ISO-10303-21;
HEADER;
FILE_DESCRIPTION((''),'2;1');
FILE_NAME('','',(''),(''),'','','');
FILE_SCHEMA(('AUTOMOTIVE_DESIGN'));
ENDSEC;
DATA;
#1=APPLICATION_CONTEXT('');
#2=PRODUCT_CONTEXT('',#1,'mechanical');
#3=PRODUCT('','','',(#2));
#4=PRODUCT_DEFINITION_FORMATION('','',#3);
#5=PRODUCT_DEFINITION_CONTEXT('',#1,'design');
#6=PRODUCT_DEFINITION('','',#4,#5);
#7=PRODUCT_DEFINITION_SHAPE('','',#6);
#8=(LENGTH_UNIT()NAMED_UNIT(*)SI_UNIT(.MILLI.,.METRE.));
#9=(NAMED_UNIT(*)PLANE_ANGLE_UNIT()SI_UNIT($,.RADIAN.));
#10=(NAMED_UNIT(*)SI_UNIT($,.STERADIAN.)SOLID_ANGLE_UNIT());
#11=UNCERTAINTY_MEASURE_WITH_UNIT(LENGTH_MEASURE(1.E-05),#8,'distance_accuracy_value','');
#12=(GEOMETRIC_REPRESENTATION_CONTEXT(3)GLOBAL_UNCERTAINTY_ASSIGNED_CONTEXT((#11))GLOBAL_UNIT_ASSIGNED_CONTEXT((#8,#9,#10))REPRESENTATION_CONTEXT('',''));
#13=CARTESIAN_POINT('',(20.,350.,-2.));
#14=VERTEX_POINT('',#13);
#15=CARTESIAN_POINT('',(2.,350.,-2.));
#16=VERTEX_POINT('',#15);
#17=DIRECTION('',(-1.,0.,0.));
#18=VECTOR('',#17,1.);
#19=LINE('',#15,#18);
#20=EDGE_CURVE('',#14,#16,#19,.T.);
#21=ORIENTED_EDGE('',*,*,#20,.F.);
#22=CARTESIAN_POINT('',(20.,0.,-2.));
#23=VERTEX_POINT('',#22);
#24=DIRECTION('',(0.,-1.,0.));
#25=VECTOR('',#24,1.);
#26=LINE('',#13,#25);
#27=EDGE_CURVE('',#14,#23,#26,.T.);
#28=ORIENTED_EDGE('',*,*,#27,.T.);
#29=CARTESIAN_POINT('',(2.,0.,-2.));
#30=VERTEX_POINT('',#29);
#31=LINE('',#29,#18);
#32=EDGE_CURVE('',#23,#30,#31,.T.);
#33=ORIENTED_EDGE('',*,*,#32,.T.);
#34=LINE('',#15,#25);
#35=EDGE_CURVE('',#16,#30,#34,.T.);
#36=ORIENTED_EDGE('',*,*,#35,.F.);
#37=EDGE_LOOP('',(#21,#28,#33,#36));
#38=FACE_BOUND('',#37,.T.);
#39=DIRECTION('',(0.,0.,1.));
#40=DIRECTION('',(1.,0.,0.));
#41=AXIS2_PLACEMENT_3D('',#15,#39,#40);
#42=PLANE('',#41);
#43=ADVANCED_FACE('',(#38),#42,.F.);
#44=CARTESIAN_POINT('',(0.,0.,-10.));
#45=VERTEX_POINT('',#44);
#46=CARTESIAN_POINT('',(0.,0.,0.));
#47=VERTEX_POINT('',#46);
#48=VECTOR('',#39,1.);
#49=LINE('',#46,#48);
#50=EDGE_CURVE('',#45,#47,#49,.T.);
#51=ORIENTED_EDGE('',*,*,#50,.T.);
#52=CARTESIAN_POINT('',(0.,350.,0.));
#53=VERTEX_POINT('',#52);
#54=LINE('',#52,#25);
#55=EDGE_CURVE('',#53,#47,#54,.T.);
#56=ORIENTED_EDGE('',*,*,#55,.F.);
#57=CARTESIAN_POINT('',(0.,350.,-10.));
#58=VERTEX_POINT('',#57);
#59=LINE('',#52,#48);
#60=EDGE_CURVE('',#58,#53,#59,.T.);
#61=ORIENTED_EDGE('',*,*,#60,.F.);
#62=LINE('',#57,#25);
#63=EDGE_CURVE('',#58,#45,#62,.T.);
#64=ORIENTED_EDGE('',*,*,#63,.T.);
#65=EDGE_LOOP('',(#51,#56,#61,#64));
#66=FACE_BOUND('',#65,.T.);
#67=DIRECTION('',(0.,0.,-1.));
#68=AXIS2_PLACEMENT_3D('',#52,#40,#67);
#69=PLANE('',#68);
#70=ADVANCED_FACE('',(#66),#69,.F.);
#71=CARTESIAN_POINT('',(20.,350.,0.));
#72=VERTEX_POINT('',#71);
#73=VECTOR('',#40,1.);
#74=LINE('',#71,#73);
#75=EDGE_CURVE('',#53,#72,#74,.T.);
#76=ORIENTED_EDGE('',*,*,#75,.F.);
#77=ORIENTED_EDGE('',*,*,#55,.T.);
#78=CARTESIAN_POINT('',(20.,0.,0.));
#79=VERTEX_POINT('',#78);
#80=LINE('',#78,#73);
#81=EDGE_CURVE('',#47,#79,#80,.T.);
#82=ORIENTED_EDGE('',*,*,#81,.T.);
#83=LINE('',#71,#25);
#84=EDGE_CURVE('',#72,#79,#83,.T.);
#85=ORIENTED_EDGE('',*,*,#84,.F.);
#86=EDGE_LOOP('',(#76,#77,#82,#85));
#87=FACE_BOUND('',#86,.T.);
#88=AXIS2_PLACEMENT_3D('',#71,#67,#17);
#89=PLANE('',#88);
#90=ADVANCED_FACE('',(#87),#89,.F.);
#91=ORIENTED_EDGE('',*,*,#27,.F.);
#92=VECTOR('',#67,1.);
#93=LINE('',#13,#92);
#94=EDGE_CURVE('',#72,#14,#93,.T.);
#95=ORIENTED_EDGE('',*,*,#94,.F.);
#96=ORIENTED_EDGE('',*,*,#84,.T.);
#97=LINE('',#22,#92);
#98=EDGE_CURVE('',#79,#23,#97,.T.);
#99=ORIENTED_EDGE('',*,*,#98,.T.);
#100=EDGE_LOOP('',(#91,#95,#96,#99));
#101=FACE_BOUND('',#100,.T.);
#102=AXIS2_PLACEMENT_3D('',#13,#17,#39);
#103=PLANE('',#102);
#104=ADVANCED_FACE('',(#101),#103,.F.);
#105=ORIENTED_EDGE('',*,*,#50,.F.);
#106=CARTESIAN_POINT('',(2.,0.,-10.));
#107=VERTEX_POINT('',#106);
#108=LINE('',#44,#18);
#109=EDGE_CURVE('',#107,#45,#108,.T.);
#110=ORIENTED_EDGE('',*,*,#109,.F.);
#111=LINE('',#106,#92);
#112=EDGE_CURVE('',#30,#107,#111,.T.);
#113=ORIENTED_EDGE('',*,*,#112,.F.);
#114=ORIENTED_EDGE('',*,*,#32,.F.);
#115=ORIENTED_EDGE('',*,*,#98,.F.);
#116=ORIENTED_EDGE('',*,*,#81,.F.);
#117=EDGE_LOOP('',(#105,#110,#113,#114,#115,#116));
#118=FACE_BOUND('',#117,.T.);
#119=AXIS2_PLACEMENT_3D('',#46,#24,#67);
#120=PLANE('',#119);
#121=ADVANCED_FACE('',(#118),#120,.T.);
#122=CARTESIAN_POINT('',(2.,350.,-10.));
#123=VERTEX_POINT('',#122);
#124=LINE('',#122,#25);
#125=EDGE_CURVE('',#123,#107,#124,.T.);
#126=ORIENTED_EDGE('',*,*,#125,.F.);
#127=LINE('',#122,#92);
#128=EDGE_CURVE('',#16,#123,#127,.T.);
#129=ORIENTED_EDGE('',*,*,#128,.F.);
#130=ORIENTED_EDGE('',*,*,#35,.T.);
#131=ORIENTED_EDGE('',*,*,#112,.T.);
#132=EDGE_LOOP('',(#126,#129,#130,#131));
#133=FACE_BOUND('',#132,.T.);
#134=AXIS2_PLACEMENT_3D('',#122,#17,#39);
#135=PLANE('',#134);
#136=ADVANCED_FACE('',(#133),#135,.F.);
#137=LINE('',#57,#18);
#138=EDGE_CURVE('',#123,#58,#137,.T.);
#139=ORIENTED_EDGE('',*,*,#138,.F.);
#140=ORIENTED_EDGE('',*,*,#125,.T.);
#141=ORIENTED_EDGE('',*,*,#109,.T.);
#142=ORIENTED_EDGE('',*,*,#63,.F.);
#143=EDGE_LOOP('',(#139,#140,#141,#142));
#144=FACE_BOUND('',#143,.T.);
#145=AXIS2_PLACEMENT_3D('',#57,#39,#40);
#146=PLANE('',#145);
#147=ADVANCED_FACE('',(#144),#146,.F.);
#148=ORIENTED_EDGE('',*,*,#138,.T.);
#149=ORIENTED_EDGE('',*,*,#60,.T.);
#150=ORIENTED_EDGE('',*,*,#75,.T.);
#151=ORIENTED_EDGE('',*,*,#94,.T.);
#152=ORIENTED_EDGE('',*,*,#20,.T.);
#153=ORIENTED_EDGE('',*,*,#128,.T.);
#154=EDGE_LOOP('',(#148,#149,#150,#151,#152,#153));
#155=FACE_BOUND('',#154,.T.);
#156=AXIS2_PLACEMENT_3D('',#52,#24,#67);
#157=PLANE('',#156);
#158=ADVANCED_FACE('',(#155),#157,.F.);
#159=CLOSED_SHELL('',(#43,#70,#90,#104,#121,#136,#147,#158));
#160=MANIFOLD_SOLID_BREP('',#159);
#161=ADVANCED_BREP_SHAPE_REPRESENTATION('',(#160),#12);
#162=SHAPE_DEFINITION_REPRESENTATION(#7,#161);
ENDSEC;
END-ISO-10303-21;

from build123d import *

# Parameters (mm, degrees)
BOSS_EXTRUDE1_DEPTH = 350


with BuildPart() as part:
    # Sketch1 → Boss-Extrude1 (new body)
    with BuildSketch(Plane(origin=(0, 0, 0), x_dir=(1, 0, 0), z_dir=(0, 1, 0))):
        Polygon((0, 0), (0, 10), (2, 10), (2, 2), (20, 2), (20, 0), align=None)
    extrude(amount=BOSS_EXTRUDE1_DEPTH)


solid = part.part
